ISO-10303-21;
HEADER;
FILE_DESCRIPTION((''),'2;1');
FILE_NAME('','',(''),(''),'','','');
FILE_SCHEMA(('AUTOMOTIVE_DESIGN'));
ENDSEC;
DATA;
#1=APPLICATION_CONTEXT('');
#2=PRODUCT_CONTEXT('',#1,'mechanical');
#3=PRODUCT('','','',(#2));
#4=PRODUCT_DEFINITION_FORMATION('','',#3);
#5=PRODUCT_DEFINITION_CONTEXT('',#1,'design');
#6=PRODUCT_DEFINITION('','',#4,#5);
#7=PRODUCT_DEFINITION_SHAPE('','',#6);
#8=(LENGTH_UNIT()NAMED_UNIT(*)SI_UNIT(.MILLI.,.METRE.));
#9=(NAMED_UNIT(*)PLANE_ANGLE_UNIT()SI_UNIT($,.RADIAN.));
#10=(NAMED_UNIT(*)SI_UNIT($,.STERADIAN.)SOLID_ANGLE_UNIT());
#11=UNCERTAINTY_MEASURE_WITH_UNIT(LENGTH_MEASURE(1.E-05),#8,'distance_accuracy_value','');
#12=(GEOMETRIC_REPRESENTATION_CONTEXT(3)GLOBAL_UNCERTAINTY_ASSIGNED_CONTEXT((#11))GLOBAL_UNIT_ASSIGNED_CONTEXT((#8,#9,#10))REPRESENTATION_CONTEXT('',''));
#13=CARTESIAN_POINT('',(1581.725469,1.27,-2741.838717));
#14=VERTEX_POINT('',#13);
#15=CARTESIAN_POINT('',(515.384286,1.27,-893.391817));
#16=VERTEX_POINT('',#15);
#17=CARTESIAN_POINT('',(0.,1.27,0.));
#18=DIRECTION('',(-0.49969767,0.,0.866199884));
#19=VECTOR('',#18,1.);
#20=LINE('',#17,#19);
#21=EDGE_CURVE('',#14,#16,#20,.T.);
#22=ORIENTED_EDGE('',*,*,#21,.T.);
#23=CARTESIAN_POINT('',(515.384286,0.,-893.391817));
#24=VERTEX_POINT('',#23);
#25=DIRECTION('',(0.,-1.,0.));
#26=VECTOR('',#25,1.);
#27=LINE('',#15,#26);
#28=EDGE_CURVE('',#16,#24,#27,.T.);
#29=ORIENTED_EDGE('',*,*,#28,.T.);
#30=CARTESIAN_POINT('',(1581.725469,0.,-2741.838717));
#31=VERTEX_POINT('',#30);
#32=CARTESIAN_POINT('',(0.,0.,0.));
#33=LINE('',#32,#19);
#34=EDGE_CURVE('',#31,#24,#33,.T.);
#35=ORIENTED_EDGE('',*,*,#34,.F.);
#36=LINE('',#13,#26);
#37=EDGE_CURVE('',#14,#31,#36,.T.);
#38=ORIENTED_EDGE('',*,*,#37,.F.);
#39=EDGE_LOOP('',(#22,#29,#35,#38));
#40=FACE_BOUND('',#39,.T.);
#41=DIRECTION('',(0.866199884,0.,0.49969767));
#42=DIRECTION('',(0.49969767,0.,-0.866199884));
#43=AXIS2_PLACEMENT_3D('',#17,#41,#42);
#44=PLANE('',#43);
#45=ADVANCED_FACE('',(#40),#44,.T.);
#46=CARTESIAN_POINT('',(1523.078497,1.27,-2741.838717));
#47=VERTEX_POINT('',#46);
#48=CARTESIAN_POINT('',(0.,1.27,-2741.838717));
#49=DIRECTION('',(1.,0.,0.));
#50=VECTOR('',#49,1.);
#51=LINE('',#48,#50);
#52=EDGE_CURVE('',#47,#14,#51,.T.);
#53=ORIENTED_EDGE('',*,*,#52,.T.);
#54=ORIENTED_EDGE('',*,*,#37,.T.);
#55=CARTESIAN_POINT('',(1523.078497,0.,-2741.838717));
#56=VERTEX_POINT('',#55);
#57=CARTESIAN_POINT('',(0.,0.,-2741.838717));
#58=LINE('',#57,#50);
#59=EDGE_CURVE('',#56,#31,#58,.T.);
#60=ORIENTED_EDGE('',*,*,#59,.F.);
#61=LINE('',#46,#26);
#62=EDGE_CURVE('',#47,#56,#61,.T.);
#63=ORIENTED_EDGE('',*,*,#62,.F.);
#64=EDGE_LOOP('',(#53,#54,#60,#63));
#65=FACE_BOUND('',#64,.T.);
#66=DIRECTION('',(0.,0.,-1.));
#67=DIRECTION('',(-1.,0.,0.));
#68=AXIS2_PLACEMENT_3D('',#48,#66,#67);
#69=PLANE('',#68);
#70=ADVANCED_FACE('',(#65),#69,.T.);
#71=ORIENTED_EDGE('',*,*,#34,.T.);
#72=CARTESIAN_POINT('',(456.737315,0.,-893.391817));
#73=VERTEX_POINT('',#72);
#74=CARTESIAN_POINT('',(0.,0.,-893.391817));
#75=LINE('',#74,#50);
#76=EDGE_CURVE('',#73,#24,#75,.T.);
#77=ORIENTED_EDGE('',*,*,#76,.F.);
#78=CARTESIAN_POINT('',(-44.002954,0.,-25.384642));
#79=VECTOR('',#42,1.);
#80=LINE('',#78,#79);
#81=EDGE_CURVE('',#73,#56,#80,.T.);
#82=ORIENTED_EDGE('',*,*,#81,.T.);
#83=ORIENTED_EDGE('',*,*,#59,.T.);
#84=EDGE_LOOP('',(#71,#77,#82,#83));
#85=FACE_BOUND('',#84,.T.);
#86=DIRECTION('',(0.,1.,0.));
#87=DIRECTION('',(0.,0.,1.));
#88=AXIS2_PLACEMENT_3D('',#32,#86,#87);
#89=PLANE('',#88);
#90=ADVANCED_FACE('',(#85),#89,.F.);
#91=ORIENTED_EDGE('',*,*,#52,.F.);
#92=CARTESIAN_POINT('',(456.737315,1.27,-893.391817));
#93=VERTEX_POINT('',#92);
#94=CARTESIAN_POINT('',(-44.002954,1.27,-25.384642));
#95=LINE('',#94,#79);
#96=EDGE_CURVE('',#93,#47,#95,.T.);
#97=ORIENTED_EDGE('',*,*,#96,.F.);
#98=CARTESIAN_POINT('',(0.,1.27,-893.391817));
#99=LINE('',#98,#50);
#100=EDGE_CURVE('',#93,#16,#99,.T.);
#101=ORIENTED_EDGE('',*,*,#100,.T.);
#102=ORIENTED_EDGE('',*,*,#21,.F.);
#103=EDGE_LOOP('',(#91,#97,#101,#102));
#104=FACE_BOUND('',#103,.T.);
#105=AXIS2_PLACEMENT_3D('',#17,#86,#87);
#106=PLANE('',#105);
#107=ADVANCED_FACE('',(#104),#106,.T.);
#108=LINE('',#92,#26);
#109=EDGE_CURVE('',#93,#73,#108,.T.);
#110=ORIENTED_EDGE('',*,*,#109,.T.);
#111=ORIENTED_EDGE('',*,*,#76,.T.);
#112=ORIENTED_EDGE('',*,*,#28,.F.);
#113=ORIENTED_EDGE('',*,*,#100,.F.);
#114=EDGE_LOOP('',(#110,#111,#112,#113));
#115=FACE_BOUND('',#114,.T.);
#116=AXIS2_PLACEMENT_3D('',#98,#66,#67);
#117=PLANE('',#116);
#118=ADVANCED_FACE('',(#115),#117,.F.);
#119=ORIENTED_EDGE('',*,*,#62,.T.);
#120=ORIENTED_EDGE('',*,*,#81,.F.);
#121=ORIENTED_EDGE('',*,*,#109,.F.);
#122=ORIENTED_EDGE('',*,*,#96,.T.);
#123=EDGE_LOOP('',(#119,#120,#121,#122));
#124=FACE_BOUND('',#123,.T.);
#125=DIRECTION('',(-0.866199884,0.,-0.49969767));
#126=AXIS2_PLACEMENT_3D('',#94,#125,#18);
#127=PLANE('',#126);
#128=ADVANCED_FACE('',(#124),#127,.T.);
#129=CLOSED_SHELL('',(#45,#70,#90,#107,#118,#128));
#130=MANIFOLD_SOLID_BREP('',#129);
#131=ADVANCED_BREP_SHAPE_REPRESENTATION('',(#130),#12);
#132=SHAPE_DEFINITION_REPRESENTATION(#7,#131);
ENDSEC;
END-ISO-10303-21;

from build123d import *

# Parameters (mm, degrees)
BOSS_EXTRUDE1_DEPTH = 1.27


with BuildPart() as part:
    # Sketch1 → Boss-Extrude1 (new body)
    with BuildSketch(Plane(origin=(0, 0, 0), x_dir=(1, 0, 0), z_dir=(0, 1, 0))):
        Polygon((456.737314738, 893.39181696), (515.384286346, 893.39181696), (1581.725468702, 2741.83871696), (1523.078497094, 2741.83871696), align=None)
    extrude(amount=BOSS_EXTRUDE1_DEPTH)


solid = part.part
